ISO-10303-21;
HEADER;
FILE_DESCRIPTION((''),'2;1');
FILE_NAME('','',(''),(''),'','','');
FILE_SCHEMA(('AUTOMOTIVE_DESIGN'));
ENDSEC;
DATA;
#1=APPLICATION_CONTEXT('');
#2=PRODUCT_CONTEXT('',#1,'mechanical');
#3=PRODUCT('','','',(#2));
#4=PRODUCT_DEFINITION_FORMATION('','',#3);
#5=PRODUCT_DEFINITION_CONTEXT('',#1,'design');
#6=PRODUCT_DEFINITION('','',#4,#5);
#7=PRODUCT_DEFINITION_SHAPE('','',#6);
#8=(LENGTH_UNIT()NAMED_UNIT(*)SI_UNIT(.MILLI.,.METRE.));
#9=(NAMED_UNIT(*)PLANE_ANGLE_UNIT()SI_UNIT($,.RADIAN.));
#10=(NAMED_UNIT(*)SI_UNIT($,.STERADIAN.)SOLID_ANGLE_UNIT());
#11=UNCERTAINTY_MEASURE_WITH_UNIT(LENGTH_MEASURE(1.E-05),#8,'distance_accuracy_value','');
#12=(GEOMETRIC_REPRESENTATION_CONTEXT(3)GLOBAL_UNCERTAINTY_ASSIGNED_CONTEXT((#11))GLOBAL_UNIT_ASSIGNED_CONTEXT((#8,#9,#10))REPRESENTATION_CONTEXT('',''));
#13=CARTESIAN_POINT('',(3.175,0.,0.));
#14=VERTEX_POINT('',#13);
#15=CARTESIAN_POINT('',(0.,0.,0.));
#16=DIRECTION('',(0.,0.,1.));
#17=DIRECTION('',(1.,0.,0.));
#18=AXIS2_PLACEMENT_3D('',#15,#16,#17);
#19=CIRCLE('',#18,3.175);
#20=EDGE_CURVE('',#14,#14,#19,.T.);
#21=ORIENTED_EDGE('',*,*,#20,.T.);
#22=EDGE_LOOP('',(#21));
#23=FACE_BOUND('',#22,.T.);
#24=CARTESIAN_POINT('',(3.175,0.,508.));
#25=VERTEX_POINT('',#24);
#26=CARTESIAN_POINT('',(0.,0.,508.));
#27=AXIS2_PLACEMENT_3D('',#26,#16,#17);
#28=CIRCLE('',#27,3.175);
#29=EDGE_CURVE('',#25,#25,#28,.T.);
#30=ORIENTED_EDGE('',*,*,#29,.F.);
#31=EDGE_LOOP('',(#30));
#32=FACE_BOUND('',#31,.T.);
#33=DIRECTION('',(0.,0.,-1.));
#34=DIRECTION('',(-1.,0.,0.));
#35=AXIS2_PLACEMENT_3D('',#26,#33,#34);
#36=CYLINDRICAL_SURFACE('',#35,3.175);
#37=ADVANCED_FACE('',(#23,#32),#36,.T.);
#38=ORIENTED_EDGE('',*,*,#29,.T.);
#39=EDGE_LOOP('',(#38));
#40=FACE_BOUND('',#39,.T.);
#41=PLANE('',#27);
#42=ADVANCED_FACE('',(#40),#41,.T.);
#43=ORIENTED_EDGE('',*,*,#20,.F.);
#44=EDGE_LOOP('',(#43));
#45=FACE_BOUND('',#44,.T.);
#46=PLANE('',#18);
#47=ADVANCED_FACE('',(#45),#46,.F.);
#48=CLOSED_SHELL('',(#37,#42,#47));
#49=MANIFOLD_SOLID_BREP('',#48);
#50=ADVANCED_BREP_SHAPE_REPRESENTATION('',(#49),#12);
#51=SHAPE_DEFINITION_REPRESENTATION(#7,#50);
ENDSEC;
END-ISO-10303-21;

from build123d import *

# Parameters (mm, degrees)
SKETCH1_R           = 3.175
BOSS_EXTRUDE1_DEPTH = 508


with BuildPart() as part:
    # Sketch1 → Boss-Extrude1 (new body)
    with BuildSketch(Plane.XY):
        Circle(SKETCH1_R)
    extrude(amount=BOSS_EXTRUDE1_DEPTH)


solid = part.part
